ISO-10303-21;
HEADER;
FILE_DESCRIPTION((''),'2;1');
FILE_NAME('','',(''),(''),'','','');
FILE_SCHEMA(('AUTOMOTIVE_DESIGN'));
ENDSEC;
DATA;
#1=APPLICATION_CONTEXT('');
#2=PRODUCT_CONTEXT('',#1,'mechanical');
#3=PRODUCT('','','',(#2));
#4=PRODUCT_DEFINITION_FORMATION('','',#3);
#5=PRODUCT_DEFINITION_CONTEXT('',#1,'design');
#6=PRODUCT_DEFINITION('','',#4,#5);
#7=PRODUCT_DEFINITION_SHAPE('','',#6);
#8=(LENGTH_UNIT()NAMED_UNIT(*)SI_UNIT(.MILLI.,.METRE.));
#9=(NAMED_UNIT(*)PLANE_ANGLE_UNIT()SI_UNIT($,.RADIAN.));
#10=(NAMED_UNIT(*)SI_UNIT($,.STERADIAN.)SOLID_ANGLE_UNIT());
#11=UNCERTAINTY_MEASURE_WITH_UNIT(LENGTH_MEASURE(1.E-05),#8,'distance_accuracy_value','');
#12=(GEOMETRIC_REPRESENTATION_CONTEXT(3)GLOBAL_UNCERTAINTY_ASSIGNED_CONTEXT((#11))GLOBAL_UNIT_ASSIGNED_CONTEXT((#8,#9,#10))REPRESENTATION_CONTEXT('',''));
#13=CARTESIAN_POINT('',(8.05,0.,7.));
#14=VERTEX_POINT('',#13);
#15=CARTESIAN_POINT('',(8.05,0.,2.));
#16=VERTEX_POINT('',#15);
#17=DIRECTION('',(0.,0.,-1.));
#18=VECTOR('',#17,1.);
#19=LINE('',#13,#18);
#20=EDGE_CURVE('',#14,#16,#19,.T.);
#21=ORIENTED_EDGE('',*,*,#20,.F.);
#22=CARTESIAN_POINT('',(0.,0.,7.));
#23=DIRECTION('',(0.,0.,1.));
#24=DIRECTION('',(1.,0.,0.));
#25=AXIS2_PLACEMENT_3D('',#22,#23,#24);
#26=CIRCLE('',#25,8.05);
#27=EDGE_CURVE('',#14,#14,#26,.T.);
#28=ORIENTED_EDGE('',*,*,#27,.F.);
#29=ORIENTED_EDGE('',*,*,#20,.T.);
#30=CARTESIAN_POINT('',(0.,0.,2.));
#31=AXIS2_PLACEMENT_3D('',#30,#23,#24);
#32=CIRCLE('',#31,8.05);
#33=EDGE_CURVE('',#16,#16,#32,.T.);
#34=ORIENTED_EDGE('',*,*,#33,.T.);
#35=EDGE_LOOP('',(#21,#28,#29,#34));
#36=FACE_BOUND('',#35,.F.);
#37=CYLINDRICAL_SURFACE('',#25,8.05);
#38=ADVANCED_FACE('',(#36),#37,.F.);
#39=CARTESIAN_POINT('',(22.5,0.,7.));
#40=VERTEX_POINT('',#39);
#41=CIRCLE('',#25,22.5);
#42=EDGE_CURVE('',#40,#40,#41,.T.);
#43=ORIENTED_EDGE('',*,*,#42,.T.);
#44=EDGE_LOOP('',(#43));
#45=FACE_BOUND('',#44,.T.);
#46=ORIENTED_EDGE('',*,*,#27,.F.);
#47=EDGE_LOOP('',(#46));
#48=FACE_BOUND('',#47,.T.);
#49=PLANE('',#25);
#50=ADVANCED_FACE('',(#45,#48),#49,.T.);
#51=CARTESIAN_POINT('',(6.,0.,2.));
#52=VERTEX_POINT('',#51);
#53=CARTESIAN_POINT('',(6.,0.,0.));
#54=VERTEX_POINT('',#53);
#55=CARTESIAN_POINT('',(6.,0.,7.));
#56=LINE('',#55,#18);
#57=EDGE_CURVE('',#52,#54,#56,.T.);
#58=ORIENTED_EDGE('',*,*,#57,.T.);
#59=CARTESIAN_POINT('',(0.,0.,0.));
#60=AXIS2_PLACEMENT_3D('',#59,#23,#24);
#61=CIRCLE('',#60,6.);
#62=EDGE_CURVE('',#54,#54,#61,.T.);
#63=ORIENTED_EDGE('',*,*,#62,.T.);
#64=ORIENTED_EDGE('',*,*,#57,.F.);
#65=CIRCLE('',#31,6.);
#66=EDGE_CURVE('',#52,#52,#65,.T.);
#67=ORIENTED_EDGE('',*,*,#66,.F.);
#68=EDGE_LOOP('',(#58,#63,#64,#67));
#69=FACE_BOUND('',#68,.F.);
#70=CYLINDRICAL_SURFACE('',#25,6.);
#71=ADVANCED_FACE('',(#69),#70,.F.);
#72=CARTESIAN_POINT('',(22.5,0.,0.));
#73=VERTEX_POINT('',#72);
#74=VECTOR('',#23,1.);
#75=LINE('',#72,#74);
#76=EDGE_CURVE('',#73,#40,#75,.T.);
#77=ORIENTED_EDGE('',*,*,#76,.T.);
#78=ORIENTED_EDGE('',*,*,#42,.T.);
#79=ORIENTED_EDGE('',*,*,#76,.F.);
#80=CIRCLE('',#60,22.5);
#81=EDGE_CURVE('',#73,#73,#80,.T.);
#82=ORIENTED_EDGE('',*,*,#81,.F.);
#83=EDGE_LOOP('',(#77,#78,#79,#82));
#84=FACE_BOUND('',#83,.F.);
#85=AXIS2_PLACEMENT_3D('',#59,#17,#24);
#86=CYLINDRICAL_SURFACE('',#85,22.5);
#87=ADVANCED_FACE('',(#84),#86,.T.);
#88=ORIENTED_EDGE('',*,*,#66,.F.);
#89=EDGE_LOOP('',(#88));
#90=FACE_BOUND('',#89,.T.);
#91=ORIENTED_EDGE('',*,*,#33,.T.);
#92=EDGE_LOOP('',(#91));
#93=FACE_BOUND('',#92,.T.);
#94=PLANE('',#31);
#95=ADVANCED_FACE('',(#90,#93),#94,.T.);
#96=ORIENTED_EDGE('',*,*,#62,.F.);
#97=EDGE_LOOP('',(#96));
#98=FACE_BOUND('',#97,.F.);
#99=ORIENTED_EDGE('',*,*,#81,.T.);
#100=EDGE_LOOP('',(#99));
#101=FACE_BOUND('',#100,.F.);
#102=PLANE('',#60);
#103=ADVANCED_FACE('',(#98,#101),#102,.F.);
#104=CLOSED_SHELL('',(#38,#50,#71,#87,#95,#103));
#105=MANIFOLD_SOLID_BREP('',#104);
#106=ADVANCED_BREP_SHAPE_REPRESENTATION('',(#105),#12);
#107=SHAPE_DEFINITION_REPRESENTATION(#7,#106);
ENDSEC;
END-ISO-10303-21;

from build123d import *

# Parameters (mm, degrees)
F0_R     = 22.5
F1_DEPTH = 7
F2_R     = 6
F3_DEPTH = 7.001
F4_R     = 8.05
F5_DEPTH = 5


with BuildPart() as f1:
    # F0 (on Top) → F1 (new body)
    with BuildSketch(Plane.XY):
        Circle(F0_R)
    extrude(amount=F1_DEPTH)

    # F2 (on face) → F3 (cut, through all)
    with BuildSketch(Plane.XY.offset(7)):
        Circle(F2_R)
    extrude(amount=-F3_DEPTH, mode=Mode.SUBTRACT)

    # F4 (on face) → F5 (cut)
    with BuildSketch(Plane.XY.offset(7)):
        Circle(F4_R)
    extrude(amount=-F5_DEPTH, mode=Mode.SUBTRACT)


solid = f1.part
